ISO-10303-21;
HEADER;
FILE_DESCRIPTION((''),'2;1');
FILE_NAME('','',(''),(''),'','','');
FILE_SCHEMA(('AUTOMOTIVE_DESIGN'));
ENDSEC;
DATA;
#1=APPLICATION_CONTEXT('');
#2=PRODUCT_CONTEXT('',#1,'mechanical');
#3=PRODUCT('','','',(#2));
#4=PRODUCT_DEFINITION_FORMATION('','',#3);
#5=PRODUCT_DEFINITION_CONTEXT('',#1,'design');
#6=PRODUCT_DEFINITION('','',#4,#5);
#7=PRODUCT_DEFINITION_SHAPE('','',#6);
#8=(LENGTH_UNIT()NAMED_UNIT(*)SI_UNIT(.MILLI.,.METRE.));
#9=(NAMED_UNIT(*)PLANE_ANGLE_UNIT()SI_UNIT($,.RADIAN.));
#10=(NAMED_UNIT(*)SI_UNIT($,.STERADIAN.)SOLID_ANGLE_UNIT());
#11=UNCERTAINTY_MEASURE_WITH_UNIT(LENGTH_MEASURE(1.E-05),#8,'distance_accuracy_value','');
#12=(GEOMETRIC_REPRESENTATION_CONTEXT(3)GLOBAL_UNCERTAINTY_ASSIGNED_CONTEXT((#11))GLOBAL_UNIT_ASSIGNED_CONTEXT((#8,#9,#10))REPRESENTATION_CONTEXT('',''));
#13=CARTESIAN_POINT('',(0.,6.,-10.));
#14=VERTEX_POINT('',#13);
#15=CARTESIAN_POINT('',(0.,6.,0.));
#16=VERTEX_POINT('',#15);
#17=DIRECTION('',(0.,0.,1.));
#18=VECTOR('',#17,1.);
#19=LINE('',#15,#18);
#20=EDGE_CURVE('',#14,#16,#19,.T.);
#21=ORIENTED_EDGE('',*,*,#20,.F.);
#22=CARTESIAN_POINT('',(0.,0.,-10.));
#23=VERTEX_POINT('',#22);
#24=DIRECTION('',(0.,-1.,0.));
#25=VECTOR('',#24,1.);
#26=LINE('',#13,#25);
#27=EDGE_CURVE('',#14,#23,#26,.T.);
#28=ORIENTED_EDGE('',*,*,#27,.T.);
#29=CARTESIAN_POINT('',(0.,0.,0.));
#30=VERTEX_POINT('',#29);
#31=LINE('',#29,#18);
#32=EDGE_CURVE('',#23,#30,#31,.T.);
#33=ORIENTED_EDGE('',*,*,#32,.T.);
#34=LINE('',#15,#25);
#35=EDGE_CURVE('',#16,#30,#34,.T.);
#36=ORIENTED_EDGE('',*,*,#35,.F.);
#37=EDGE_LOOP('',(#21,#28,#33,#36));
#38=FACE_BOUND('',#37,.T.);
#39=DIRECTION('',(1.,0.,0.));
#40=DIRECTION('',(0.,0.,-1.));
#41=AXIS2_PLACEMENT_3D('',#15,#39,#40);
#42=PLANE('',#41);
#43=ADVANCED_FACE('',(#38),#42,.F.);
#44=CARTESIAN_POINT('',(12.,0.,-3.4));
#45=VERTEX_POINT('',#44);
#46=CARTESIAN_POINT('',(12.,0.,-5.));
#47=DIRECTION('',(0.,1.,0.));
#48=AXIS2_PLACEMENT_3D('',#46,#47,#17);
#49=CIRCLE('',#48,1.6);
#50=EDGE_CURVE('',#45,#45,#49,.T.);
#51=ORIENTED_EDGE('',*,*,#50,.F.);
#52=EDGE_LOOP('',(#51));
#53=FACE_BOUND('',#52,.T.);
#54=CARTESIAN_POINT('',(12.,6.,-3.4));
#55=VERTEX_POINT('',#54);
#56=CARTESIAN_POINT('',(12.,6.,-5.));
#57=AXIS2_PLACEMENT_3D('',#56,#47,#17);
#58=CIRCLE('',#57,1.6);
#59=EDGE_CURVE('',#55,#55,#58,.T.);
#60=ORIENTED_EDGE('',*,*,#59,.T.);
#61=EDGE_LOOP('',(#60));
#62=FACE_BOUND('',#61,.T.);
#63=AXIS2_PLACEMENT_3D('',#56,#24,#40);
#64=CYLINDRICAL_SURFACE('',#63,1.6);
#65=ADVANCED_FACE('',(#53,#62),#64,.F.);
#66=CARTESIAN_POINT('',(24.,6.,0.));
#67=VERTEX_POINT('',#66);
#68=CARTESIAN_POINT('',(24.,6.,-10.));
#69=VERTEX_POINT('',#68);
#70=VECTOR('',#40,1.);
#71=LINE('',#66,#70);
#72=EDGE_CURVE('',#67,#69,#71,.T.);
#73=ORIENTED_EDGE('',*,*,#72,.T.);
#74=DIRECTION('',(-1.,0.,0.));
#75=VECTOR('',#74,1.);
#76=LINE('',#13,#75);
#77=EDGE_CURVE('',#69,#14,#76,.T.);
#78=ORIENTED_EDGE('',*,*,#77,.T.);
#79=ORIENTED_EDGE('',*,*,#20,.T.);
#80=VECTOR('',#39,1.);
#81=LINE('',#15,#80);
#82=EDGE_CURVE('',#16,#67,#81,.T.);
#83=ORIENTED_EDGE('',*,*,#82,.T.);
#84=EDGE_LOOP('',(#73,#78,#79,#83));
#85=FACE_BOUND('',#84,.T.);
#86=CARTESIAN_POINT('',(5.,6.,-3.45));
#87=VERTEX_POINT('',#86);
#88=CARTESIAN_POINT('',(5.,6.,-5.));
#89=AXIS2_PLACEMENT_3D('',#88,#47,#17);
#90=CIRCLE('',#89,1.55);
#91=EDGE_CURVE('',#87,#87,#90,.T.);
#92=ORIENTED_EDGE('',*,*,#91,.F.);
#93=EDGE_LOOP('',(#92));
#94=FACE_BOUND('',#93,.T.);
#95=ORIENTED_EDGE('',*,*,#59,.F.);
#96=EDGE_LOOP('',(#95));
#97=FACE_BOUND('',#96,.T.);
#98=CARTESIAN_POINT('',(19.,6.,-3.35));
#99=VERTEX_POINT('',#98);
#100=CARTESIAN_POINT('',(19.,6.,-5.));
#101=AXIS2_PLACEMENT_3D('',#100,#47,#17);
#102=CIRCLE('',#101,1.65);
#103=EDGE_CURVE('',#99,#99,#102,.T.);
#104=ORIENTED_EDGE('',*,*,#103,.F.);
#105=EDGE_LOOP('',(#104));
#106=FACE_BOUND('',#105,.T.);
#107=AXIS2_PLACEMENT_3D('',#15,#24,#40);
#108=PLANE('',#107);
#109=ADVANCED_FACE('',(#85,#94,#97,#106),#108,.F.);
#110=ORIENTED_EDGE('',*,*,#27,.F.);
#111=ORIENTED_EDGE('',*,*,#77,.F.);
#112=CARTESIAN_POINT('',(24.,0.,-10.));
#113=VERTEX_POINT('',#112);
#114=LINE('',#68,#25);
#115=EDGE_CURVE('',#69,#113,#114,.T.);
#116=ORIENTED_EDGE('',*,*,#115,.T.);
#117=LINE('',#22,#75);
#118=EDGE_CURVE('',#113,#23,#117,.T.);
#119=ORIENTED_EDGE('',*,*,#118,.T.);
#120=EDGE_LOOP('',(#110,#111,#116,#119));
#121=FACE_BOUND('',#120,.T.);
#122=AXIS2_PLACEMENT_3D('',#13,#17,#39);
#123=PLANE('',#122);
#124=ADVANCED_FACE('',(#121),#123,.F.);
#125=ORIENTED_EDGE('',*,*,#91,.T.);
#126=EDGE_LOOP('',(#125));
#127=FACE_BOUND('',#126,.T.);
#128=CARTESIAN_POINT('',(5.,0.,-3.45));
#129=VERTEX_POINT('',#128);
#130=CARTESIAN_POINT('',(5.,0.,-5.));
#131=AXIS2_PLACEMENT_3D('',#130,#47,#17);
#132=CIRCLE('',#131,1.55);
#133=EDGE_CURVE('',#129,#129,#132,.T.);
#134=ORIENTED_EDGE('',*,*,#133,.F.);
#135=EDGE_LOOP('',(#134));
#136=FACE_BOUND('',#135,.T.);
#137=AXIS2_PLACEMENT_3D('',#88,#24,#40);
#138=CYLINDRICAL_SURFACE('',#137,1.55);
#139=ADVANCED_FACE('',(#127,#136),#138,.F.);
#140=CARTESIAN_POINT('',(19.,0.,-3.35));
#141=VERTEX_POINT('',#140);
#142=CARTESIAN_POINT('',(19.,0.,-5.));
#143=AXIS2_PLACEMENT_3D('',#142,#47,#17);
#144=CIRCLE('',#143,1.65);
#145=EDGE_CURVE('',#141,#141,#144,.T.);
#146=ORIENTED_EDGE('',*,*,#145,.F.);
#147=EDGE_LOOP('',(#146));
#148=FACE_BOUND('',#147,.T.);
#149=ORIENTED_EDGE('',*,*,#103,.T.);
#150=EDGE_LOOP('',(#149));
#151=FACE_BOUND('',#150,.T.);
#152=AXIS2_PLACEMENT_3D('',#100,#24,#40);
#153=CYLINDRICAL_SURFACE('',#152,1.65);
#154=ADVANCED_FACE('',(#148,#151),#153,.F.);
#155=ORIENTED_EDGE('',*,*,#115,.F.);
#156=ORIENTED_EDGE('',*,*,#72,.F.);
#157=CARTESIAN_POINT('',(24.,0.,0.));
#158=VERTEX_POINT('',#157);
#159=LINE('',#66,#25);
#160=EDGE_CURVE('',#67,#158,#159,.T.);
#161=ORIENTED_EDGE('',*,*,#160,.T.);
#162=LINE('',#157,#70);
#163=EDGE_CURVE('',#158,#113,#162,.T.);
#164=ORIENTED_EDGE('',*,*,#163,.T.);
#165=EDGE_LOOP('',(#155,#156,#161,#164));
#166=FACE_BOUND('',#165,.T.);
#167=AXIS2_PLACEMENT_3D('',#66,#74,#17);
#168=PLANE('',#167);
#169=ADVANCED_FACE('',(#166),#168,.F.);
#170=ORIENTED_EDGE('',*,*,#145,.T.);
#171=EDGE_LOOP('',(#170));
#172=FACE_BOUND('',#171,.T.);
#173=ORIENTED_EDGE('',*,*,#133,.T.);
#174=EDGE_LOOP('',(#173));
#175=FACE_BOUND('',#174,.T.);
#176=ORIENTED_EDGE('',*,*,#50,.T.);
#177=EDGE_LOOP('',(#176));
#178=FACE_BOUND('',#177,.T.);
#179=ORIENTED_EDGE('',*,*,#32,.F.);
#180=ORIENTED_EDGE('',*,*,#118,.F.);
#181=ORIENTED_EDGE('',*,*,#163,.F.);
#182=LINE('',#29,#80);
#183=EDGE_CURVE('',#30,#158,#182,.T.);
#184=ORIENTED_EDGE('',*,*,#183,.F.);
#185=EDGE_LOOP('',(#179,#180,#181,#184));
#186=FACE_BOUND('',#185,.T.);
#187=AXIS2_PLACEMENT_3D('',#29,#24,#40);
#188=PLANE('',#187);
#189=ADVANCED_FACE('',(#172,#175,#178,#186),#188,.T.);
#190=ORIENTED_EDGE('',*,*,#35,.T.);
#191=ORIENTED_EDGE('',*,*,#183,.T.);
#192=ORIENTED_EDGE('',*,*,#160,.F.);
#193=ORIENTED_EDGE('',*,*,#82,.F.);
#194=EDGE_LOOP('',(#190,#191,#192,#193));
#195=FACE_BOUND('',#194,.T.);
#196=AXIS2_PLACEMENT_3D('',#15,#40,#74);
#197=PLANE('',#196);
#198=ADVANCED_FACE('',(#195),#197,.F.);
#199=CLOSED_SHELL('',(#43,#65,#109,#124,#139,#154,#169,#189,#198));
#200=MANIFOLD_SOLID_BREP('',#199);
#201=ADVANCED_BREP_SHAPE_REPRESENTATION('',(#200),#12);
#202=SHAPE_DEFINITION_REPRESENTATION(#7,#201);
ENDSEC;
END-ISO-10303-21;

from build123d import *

# Parameters (mm, degrees)
SKETCH_1_W      = 24
SKETCH_1_H      = 10
SKETCH_1_R      = 1.55
SKETCH_1_R_2    = 1.6
SKETCH_1_R_3    = 1.65
EXTRUDE_1_DEPTH = 6


with BuildPart() as part:
    # 草图1 → 凸台-拉伸1 (new body)
    with BuildSketch(Plane(origin=(0, 0, 0), x_dir=(1, 0, 0), z_dir=(0, 1, 0))):
        with Locations((12, 5)):
            Rectangle(SKETCH_1_W, SKETCH_1_H)
        with Locations(Location((5, 5, 0), (0, 0, 270))):
            Circle(SKETCH_1_R, mode=Mode.SUBTRACT)
        with Locations(Location((12, 5, 0), (0, 0, 270))):
            Circle(SKETCH_1_R_2, mode=Mode.SUBTRACT)
        with Locations(Location((19, 5, 0), (0, 0, 270))):
            Circle(SKETCH_1_R_3, mode=Mode.SUBTRACT)
    extrude(amount=EXTRUDE_1_DEPTH)


solid = part.part
